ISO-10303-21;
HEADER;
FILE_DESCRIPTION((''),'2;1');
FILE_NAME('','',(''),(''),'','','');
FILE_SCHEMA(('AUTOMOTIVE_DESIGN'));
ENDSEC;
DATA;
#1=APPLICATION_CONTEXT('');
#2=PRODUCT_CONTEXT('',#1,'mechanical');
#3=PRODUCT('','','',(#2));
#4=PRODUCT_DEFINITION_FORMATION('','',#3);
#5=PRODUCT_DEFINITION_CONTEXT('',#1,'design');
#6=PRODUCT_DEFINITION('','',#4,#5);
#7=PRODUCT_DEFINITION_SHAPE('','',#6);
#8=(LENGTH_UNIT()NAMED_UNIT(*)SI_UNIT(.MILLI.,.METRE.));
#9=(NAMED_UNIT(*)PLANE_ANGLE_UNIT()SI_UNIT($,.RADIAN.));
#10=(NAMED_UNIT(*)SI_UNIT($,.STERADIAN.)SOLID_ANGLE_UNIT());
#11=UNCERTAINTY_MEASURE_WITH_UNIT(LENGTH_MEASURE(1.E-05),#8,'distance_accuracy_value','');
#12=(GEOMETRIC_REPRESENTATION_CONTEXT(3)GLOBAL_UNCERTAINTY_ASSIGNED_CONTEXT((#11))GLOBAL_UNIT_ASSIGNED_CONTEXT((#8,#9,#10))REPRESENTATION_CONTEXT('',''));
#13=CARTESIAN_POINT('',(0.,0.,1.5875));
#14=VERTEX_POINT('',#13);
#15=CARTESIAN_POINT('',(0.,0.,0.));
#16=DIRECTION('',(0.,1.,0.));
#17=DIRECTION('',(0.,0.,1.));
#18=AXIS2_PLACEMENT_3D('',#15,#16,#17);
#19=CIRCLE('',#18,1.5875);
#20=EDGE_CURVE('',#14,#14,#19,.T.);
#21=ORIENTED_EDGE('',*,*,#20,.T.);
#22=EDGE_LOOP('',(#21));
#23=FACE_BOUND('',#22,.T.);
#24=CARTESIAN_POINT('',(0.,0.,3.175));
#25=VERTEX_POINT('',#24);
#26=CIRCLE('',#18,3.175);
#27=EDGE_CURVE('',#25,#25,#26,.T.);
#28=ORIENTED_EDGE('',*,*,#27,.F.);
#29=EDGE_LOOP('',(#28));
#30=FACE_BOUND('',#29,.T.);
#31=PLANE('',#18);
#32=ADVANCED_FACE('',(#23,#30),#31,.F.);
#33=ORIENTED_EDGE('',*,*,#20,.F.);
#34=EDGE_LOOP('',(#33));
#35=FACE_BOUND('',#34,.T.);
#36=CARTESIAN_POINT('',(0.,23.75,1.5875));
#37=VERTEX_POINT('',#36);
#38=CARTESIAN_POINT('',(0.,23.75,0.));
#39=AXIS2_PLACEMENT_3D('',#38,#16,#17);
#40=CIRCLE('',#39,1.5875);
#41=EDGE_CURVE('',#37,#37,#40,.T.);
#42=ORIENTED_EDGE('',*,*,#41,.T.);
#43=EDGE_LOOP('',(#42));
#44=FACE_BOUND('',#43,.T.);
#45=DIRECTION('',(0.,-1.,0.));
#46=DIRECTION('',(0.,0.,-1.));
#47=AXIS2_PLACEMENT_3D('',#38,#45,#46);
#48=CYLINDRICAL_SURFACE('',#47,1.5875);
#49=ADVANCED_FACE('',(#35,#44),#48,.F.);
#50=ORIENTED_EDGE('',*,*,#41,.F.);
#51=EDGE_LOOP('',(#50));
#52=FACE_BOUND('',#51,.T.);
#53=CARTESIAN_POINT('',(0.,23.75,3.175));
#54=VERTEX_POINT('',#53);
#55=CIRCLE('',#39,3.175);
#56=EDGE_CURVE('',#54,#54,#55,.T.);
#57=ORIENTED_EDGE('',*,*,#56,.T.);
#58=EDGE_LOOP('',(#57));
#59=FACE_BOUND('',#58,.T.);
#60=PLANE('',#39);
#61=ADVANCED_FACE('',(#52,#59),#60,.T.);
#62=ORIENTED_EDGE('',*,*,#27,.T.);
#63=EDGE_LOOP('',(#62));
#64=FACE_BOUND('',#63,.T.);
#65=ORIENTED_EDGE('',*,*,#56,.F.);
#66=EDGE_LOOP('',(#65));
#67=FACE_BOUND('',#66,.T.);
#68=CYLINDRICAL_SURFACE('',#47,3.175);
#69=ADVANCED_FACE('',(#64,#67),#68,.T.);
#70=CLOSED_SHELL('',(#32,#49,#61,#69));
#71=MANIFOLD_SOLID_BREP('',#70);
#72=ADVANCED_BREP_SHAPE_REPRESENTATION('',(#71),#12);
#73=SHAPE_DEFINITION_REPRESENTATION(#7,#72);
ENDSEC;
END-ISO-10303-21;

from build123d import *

# Parameters (mm, degrees)
SKETCH1_R           = 3.175
SKETCH1_R_2         = 1.5875
BOSS_EXTRUDE1_DEPTH = 23.75


with BuildPart() as part:
    # Sketch1 → Boss-Extrude1 (new body)
    with BuildSketch(Plane(origin=(0, 0, 0), x_dir=(1, 0, 0), z_dir=(0, 1, 0))):
        with Locations(Location((0, 0, 0), (0, 0, 270))):  # turned: the seam where the file's is
            Circle(SKETCH1_R)
        with Locations(Location((0, 0, 0), (0, 0, 270))):  # turned: the seam where the file's is
            Circle(SKETCH1_R_2, mode=Mode.SUBTRACT)
    extrude(amount=BOSS_EXTRUDE1_DEPTH)


solid = part.part
